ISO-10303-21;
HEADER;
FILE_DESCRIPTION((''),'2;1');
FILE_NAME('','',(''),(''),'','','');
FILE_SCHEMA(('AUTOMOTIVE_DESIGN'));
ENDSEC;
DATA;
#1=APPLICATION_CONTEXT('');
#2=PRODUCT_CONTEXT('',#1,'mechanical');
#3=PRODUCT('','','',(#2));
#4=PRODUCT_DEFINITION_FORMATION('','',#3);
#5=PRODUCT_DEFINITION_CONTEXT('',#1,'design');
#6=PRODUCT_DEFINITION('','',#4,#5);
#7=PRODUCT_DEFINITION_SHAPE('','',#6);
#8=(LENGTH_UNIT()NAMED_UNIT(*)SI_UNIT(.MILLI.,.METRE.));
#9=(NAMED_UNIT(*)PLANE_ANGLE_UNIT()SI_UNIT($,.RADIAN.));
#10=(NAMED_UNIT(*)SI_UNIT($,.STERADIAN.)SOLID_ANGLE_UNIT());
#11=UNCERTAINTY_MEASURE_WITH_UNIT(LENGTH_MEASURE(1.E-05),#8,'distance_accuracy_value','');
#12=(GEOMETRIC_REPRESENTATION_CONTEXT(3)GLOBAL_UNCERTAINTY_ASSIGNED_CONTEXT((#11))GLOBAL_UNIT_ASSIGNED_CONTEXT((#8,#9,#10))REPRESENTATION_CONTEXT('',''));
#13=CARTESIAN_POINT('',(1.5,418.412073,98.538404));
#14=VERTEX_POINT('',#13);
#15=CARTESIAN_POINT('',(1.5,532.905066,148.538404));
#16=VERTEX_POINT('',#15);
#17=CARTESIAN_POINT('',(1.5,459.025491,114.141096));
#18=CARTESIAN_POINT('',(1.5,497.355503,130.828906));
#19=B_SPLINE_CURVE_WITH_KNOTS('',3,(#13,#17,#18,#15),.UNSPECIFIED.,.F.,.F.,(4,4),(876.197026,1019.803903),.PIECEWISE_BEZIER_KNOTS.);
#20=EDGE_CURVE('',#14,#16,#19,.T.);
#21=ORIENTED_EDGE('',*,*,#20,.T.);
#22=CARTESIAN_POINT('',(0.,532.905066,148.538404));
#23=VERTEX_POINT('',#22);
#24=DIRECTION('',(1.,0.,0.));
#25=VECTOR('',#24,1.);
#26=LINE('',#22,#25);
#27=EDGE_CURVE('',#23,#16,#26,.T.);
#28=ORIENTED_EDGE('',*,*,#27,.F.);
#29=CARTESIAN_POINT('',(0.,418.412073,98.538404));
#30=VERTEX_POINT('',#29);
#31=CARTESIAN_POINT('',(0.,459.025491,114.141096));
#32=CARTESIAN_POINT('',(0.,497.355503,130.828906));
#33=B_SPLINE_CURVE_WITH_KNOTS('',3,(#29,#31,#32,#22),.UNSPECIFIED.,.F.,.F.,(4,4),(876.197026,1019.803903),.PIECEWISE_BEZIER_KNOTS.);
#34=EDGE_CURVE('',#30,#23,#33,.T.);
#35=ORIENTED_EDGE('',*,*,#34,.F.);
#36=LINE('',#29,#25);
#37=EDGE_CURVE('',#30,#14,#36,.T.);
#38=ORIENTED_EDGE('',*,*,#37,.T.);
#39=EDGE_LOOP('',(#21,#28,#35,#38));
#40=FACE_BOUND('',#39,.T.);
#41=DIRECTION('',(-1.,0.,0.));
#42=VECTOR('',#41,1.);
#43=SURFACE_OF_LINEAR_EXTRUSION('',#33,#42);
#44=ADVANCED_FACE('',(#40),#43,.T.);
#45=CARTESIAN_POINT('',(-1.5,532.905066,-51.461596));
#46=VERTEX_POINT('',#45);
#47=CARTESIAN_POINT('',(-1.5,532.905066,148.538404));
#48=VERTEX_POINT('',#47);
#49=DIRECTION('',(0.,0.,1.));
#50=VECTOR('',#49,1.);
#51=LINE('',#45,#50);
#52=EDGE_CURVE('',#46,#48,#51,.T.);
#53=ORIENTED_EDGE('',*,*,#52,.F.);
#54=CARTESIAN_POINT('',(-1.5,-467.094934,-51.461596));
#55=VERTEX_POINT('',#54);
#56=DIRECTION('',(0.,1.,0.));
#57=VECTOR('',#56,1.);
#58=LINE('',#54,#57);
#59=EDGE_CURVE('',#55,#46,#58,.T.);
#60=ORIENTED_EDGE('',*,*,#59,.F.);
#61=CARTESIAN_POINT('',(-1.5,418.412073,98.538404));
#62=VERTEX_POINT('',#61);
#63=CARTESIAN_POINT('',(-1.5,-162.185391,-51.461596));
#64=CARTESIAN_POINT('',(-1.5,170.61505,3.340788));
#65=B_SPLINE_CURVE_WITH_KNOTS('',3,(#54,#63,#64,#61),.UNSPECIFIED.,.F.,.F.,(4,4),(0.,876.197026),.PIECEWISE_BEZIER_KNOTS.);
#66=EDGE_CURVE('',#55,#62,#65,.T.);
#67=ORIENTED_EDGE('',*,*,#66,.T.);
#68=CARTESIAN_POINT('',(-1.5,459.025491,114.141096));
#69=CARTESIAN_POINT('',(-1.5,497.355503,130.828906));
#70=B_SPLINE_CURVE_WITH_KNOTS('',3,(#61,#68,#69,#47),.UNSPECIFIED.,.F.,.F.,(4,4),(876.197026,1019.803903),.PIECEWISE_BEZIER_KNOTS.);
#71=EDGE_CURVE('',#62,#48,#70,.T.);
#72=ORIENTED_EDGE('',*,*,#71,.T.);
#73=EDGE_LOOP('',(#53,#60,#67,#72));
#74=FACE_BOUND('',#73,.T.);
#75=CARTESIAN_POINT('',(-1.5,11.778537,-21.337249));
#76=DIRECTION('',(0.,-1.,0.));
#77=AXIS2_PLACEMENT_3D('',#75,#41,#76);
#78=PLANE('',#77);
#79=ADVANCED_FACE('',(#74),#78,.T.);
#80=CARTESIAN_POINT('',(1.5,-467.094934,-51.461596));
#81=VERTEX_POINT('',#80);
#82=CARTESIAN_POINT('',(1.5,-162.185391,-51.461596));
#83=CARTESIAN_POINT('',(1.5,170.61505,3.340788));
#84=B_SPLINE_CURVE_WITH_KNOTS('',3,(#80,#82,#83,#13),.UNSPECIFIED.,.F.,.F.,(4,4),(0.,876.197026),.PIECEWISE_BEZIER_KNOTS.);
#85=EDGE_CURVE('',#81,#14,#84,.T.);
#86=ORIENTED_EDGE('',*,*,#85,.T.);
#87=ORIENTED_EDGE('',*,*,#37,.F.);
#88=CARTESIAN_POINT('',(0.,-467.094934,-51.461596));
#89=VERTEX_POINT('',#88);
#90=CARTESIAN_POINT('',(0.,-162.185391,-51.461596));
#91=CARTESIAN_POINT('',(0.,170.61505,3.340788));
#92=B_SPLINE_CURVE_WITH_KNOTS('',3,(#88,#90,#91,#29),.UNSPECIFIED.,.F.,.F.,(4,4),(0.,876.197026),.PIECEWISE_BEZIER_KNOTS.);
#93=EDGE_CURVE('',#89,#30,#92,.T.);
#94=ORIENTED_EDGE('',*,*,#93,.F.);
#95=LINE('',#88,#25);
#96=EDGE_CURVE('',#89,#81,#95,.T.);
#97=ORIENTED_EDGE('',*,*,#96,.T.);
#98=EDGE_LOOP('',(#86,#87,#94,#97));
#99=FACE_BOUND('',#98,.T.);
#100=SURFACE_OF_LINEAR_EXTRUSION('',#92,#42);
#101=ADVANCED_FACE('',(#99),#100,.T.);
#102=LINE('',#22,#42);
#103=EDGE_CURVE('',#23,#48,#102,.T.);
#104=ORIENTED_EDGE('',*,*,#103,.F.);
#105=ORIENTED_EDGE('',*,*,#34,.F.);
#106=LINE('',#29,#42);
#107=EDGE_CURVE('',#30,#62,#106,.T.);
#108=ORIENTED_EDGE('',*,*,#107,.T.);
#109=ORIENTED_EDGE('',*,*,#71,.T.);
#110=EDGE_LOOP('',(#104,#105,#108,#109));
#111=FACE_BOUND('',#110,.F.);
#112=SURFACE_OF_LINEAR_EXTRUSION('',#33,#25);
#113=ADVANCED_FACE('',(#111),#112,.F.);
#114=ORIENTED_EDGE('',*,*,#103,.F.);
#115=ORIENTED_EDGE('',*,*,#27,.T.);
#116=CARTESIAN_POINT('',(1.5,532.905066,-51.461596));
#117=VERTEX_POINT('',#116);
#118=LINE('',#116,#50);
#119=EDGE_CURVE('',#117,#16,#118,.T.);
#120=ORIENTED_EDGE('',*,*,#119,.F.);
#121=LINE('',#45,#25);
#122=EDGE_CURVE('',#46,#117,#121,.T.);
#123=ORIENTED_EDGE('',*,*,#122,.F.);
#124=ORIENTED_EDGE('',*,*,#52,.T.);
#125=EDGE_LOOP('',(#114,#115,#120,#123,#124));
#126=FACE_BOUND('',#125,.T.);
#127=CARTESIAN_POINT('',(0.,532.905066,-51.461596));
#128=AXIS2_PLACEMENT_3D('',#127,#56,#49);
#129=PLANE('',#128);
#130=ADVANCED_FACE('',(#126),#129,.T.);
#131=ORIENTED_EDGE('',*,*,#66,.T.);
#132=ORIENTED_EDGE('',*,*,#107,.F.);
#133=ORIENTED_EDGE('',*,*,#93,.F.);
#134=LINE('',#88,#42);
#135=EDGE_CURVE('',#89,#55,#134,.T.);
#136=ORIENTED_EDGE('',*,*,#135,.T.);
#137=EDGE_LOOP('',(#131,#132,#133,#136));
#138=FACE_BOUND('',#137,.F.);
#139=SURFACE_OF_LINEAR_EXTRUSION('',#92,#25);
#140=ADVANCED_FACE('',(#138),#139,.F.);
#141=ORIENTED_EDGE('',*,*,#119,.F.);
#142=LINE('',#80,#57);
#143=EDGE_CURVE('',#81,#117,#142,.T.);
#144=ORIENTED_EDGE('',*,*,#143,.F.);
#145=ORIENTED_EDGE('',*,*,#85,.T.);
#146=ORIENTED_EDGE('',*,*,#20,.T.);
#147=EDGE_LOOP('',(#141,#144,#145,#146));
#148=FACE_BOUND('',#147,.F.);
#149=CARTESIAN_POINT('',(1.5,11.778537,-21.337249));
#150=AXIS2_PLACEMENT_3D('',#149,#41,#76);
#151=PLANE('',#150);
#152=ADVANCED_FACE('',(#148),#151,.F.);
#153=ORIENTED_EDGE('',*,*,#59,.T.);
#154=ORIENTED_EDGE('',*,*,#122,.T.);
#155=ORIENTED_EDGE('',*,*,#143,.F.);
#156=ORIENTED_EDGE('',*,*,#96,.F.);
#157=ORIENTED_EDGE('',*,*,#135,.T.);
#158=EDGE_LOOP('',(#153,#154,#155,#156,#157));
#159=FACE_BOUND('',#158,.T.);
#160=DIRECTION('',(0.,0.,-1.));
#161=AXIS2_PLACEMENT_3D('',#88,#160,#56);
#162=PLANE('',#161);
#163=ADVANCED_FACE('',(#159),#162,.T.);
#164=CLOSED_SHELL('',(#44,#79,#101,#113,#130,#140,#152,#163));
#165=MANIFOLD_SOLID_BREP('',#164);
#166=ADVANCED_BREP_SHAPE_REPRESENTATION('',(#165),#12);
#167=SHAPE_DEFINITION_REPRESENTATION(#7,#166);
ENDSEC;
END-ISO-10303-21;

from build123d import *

# Parameters (mm, degrees)
F1_DEPTH = 1.5


with BuildPart() as f1:
    # F0 (on Right) → F1 (new body, symmetric)
    with BuildSketch(Plane.YZ):
        with BuildLine():
            add(Edge.make_bspline(
                [(-467.094934, -51.461596), (-162.185391, -51.461596), (170.61505, 3.340788), (418.412073, 98.538404)],
                knots=[0, 0, 0, 0, 876.197026, 876.197026, 876.197026, 876.197026], degree=3))
            Line((-467.094934, -51.461596), (393.412073, -51.461596))
            Line((393.412073, -51.461596), (418.412073, -51.461596))
            Line((418.412073, -51.461596), (418.412073, 98.538404))
        make_face()
        with BuildLine():
            add(Edge.make_bspline(
                [(418.412073, 98.538404), (459.025491, 114.141096), (497.355503, 130.828906), (532.905066, 148.538404)],
                knots=[876.197026, 876.197026, 876.197026, 876.197026, 1019.803903, 1019.803903, 1019.803903, 1019.803903], degree=3))
            Line((418.412073, 98.538404), (418.412073, -51.461596))
            Line((418.412073, -51.461596), (532.905066, -51.461596))
            Line((532.905066, -51.461596), (532.905066, 148.538404))
        make_face()
    extrude(amount=F1_DEPTH, both=True)


solid = f1.part
